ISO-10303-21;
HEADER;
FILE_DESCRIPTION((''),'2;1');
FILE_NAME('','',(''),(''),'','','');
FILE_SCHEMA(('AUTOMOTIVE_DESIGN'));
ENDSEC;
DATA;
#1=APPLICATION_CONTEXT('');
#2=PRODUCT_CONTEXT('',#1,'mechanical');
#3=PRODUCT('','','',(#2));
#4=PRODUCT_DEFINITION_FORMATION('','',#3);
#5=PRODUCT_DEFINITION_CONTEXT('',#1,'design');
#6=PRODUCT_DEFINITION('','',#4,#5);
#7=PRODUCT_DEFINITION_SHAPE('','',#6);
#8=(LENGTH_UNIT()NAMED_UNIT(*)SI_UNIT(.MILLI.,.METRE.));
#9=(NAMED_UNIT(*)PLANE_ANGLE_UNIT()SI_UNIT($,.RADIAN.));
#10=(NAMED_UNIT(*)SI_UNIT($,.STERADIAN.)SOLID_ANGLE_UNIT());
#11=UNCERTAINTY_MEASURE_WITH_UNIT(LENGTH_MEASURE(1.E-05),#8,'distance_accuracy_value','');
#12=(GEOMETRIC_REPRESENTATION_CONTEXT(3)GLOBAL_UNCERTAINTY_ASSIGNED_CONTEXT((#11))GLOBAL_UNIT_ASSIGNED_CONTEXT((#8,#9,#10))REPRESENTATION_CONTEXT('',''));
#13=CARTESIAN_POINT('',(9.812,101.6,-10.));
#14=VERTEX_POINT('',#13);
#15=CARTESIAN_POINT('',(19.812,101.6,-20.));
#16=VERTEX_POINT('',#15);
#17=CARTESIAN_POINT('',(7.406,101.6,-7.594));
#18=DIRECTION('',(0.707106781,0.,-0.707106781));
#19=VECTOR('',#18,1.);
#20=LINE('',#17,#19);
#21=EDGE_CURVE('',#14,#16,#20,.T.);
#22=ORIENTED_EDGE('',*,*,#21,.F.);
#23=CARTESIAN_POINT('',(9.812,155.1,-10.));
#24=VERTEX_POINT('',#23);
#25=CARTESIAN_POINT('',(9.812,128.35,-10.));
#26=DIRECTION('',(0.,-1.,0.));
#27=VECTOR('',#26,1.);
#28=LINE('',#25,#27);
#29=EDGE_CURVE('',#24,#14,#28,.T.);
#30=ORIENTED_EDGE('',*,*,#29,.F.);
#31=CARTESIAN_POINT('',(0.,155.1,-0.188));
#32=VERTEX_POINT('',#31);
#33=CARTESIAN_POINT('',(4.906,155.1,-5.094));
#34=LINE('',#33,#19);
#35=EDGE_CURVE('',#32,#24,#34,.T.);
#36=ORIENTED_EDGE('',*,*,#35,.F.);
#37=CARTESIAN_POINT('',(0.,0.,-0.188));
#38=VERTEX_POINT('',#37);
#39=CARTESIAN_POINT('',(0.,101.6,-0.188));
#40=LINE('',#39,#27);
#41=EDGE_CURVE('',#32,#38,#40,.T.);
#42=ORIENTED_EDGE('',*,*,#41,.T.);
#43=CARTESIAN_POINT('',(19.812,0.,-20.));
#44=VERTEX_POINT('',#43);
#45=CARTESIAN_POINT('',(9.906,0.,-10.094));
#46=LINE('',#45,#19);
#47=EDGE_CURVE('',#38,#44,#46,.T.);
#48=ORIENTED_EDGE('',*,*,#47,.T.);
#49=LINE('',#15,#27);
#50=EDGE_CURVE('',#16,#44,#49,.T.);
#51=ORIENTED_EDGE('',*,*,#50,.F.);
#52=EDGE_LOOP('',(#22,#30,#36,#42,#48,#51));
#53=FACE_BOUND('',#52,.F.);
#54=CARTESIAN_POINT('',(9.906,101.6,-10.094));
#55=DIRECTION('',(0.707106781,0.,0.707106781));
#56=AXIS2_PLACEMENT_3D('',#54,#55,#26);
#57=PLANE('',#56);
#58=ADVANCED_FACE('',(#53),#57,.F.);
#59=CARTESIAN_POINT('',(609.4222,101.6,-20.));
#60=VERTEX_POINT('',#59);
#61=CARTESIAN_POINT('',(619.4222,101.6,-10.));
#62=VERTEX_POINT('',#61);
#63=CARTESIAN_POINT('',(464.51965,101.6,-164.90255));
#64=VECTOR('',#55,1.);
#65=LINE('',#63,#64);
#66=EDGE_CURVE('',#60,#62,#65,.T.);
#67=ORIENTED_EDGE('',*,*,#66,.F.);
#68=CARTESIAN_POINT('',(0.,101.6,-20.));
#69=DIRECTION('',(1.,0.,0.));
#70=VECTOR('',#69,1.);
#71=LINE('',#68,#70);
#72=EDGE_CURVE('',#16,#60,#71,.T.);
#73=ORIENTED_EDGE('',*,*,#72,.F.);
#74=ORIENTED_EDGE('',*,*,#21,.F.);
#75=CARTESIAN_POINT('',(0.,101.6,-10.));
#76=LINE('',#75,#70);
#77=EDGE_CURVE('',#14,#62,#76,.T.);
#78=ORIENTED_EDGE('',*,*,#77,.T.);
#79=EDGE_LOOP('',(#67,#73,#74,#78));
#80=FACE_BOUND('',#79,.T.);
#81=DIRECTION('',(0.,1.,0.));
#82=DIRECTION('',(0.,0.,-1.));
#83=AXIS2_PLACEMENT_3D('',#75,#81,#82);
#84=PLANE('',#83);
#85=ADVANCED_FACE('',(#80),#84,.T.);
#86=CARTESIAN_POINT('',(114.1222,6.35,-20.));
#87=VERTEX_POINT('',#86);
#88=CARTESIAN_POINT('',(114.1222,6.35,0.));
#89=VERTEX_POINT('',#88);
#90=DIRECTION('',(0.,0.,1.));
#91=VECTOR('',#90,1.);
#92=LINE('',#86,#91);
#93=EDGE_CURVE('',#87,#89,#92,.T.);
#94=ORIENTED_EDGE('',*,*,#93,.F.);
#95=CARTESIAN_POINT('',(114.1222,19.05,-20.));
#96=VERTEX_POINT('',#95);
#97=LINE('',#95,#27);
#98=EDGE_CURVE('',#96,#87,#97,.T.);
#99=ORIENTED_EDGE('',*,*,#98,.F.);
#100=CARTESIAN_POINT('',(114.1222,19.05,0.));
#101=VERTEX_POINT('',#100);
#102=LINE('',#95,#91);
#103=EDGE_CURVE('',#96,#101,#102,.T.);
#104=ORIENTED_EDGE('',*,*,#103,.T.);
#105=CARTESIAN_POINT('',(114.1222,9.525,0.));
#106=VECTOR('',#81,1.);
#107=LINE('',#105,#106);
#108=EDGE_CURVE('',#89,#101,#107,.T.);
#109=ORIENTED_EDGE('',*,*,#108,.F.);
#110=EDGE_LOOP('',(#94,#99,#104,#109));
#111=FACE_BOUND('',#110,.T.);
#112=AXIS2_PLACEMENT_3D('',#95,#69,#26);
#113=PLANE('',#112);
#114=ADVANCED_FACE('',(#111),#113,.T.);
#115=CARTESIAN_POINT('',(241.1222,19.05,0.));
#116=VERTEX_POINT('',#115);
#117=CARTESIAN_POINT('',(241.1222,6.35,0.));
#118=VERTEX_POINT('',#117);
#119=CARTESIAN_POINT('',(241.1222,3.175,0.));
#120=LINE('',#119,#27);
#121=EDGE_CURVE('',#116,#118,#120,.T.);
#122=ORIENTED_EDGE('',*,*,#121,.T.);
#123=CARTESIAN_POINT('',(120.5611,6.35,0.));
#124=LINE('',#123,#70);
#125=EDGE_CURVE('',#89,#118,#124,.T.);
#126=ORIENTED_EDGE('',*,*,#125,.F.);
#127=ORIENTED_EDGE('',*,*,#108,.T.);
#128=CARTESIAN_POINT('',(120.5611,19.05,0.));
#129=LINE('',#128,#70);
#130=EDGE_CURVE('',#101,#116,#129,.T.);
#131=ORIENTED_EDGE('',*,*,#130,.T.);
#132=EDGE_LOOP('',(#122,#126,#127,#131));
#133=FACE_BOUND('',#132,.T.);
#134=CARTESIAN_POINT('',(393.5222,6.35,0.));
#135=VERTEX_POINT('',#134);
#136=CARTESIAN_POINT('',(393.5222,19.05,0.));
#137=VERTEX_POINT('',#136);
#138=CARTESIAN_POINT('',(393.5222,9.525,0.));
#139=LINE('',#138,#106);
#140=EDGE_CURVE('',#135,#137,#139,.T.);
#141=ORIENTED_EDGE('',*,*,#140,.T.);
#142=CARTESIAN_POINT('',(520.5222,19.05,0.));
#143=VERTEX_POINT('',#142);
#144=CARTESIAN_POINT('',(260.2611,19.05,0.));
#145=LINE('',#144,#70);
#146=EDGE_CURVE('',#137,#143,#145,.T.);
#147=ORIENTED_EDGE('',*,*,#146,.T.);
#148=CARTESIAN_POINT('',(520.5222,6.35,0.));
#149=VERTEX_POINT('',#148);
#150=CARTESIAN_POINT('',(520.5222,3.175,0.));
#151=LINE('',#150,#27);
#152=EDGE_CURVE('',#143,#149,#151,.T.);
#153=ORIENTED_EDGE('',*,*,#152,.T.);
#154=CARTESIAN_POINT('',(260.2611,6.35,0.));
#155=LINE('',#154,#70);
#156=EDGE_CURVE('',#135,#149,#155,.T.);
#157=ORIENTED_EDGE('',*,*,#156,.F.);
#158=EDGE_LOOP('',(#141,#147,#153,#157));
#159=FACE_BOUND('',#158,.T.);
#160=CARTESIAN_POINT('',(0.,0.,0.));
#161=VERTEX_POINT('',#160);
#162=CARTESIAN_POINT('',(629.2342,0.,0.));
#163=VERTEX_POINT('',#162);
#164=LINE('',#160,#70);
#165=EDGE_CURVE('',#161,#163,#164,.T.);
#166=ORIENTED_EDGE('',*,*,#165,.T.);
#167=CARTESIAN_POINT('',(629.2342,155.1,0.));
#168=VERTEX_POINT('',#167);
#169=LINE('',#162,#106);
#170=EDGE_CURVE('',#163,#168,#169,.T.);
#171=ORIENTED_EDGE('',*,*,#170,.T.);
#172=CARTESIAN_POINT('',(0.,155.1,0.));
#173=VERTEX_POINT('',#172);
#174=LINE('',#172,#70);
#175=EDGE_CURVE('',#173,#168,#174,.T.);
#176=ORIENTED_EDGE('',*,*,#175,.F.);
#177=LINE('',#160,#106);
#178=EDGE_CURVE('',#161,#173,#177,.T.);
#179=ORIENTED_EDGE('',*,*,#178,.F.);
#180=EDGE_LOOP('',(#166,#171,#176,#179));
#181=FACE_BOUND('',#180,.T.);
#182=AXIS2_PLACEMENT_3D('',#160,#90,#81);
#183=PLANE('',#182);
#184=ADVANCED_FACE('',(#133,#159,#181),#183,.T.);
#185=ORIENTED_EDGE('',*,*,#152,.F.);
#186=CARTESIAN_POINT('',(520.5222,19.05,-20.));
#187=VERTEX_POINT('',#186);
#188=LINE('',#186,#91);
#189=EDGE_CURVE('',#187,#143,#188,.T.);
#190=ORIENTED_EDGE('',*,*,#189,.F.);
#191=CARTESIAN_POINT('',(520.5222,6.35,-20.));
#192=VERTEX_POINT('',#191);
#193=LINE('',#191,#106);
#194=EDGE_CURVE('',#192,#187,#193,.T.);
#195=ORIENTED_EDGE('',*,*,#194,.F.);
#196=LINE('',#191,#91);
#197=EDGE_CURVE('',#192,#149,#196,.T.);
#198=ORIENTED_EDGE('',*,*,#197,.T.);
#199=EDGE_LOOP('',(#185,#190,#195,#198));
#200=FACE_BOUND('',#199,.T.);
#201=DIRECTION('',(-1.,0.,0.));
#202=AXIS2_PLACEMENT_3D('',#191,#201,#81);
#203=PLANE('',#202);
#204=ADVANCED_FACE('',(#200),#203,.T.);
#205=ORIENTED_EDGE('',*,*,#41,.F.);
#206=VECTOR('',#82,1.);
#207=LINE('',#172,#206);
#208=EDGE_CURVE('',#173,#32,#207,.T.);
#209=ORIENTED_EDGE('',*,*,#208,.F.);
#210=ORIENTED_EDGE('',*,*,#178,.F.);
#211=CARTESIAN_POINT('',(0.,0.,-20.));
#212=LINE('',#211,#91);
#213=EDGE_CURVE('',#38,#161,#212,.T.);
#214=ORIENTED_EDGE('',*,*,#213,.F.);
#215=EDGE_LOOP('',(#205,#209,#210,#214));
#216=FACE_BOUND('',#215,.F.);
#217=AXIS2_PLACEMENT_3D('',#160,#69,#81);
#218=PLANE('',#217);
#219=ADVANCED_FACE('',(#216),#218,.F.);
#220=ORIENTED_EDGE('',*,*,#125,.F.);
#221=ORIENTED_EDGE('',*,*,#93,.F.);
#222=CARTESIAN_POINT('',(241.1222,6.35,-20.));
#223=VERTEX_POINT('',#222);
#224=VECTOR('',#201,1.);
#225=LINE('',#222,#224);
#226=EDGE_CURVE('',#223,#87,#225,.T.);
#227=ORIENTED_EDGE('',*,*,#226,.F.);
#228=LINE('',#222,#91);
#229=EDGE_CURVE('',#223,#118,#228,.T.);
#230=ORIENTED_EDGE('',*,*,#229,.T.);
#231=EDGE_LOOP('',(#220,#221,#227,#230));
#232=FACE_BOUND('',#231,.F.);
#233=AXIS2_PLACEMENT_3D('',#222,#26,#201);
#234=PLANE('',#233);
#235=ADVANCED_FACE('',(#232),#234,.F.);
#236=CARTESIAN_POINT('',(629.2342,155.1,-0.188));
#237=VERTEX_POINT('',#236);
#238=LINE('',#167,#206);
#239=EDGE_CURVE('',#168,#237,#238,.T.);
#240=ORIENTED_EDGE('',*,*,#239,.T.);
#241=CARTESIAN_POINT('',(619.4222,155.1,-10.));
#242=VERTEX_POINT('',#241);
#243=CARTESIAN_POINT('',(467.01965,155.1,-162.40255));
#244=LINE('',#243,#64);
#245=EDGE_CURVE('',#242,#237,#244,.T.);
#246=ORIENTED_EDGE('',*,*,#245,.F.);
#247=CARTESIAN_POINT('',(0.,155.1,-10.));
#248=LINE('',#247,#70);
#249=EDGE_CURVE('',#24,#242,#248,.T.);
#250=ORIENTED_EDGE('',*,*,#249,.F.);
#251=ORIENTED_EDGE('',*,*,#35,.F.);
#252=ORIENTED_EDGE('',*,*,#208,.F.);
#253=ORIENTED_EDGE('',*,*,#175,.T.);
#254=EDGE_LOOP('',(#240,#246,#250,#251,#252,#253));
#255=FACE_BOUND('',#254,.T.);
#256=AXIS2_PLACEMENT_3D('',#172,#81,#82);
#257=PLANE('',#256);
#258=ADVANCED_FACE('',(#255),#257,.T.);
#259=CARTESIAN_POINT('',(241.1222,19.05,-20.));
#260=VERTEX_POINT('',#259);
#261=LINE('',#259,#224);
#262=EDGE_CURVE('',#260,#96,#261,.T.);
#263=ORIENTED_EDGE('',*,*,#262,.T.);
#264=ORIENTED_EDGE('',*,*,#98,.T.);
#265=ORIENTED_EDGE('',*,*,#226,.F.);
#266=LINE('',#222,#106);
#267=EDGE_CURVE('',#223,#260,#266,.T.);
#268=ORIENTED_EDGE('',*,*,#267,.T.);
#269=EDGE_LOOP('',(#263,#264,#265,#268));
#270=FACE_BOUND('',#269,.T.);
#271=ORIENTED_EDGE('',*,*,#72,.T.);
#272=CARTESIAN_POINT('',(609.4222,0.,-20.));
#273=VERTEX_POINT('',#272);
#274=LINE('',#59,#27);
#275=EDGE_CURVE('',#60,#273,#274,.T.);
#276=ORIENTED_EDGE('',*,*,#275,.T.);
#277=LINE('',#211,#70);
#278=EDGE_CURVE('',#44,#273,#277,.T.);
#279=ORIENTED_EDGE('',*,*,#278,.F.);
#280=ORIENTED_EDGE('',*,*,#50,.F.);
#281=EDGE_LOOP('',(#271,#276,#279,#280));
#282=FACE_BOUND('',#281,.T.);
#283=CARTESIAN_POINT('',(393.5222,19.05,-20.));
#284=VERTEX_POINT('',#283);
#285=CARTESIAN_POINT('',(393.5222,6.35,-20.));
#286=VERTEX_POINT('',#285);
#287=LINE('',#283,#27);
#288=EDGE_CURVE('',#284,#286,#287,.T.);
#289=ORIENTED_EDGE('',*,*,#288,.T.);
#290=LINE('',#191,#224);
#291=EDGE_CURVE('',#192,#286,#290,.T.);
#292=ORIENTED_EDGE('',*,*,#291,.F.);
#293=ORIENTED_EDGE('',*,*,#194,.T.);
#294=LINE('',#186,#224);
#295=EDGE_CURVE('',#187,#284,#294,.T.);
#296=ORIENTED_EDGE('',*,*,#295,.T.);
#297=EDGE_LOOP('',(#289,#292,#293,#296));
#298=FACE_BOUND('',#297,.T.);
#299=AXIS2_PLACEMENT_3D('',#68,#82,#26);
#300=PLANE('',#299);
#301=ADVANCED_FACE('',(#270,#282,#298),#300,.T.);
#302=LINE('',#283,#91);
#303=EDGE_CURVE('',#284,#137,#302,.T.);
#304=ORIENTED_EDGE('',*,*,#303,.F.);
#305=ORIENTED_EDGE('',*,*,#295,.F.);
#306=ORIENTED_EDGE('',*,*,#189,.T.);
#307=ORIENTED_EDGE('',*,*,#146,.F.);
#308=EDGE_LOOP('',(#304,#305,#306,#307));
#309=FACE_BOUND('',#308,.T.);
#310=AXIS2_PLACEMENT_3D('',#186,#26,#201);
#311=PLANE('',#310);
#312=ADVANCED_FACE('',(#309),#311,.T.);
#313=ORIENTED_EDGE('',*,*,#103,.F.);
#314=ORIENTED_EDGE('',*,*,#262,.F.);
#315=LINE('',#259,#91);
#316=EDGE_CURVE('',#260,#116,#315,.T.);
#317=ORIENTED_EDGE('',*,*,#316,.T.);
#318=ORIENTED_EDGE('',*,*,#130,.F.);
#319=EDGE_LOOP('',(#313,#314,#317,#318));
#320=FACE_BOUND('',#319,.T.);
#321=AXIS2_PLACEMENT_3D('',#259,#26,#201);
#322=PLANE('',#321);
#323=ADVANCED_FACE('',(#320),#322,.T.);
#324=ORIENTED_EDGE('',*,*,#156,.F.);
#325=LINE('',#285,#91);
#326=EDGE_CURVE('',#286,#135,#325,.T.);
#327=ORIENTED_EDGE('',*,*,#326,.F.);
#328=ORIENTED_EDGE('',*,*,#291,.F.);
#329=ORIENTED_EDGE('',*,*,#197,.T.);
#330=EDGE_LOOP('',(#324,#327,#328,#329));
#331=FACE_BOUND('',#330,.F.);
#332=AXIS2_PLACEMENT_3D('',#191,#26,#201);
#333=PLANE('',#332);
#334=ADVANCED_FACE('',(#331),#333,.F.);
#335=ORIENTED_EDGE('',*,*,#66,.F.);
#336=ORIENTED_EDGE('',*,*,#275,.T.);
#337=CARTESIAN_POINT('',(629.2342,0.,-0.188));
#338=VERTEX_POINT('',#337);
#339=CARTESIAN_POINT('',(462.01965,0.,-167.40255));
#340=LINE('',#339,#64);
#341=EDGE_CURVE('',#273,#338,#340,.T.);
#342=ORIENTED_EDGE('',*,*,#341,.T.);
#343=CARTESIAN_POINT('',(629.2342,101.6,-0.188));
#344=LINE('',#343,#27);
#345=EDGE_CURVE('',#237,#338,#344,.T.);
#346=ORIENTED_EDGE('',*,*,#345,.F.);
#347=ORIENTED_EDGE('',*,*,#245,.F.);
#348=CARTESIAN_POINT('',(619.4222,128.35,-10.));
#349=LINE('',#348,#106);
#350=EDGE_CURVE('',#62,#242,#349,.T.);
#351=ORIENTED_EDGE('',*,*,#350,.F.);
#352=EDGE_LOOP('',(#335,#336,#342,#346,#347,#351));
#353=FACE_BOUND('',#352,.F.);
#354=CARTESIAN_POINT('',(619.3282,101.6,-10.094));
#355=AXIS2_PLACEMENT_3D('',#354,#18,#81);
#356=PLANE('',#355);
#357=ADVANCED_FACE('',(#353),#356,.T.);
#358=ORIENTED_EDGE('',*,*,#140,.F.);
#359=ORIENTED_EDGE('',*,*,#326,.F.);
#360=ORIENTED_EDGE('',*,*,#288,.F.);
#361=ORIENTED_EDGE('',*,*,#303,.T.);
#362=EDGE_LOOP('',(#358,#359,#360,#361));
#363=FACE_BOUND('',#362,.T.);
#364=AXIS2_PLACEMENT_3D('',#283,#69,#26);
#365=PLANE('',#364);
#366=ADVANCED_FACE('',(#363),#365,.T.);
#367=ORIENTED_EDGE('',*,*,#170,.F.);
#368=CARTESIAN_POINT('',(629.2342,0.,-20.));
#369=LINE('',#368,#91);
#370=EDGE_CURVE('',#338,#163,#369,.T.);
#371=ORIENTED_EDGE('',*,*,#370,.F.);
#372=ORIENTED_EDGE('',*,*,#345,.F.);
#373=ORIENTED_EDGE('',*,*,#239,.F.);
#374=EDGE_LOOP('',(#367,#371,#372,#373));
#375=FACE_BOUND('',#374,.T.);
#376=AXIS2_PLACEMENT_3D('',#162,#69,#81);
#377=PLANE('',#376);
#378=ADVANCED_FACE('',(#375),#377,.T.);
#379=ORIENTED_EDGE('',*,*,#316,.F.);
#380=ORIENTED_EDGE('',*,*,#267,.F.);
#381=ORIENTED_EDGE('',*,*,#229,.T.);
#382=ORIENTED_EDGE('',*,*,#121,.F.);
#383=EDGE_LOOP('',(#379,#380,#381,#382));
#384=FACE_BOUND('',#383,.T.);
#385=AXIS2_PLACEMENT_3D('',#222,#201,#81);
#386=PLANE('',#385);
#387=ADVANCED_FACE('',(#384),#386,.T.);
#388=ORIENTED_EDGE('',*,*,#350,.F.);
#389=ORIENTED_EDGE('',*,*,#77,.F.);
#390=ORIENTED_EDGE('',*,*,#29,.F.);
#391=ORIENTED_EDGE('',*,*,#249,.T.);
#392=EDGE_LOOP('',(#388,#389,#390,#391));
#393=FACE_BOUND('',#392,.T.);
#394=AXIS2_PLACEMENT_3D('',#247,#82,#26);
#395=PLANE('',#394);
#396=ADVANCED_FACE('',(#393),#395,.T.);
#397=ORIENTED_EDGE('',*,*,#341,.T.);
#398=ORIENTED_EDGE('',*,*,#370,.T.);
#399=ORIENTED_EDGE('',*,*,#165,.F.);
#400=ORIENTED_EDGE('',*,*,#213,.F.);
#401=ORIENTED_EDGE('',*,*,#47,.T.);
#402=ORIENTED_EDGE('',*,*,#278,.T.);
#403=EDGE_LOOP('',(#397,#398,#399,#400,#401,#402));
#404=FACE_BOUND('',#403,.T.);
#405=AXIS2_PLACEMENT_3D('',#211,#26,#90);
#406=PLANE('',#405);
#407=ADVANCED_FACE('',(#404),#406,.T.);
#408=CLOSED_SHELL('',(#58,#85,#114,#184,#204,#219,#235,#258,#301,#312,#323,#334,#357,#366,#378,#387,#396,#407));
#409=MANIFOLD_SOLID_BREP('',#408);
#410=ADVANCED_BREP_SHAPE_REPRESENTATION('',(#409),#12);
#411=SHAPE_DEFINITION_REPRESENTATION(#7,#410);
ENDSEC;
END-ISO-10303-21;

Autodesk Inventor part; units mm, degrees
ref_plane "YZ Plane" through (0, 0, 0) normal (1, 0, 0) x (0, 1, 0)
ref_plane "XZ Plane" through (0, 0, 0) normal (0, 1, 0) x (-1, 0, 0)
ref_plane "XY Plane" through (0, 0, 0) normal (0, 0, 1) x (1, 0, 0)
sketch "Sketch1" plane through (0, 0, 0) normal (1, 0, 0) x (0, 1, 0)
  line L0 (0, 0) -> (155.1, 0)
  line L1 (155.1, 0) -> (155.1, -10)
  line L2 (0, -20) -> (0, 0)
  line L3 (155.1, -10) -> (101.6, -10)
  line L4 (101.6, -10) -> (101.6, -20)
  line L5 (101.6, -20) -> (0, -20)
  dimension "d0" = 53.5
  dimension "d1" = 155.1
  dimension "d2" = 10
  dimension "d3" = 10
  dimension "d4" = 20
extrude "Extrusion1" add sketch "Sketch1" along normal blind 629.2342
chamfer "Chamfer1" distance 19.812 angle 45 1 edges at (629.2342, 50.8, -20)
chamfer "Chamfer2" distance 19.812 angle 45 1 edges at (0, 50.8, -20)
sketch "Sketch2" plane through (609.4222, 0, -20) normal (0, 0, -1) x (-1, 0, 0)
  line L0 (589.6102, 0) -> (0, 0) projected
  line L1 (0, 0) -> (0, 6.35)
  line L2 (0, 0) -> (0, 101.6) projected
  line L3 (0, 6.35) -> (88.9, 6.35)
  line L4 (88.9, 6.35) -> (88.9, 26.35)
  line L5 (88.9, 26.35) -> (215.9, 26.35)
  line L6 (215.9, 26.35) -> (215.9, 6.35)
  line L7 (215.9, 6.35) -> (368.3, 6.35)
  line L8 (368.3, 6.35) -> (368.3, 19.05)
  line L9 (368.3, 19.05) -> (495.3, 19.05)
  line L10 (495.3, 19.05) -> (495.3, 6.35)
  line L11 (495.3, 6.35) -> (589.6102, 6.35)
  line L12 (589.6102, 101.6) -> (589.6102, 0) projected
  line L13 (88.9, 6.35) -> (215.9, 6.35)
  line L14 (368.3, 6.35) -> (495.3, 6.35)
  point P0 (609.4222, 0)
  dimension "d13" = 6.35
  dimension "d15" = 88.9
  dimension "d16" = 127
  dimension "d17" = 152.4
  dimension "d18" = 127
  dimension "d20" = 20
  dimension "d21" = 20
  dimension "d22" = 12.7
  dimension "d23" = 12.7
sketch "Sketch3" plane through (609.4222, 0, -20) normal (0, 0, -1) x (-1, 0, 0)
  line L0 (589.6102, 0) -> (0, 0)
  line L1 (0, 0) -> (0, 6.35)
  line L2 (0, 0) -> (0, 101.6)
  line L3 (0, 6.35) -> (88.9, 6.35)
  line L4 (88.9, 6.35) -> (88.9, 19.05)
  line L5 (88.9, 19.05) -> (215.9, 19.05)
  line L6 (215.9, 19.05) -> (215.9, 6.35)
  line L7 (215.9, 6.35) -> (368.3, 6.35)
  line L8 (368.3, 6.35) -> (368.3, 26.35)
  line L9 (368.3, 26.35) -> (495.3, 26.35)
  line L10 (495.3, 26.35) -> (495.3, 6.35)
  line L11 (495.3, 6.35) -> (589.6102, 6.35)
  line L12 (589.6102, 101.6) -> (589.6102, 0)
  line L13 (88.9, 6.35) -> (215.9, 6.35)
  line L14 (368.3, 6.35) -> (495.3, 6.35)
  line L15 (-19.812, 0) -> (0, 0) projected
  line L16 (0, 6.35) -> (0, 0)
  point P0 (609.4222, 0)
  point P1 (609.4222, 0)
  dimension "d24" = 6.35
  dimension "d25" = 88.9
  dimension "d26" = 127
  dimension "d27" = 152.4
  dimension "d28" = 127
  dimension "d29" = 12.7
  dimension "d30" = 12.7
  dimension "d31" = 20
  dimension "d32" = 20
  dimension "d37" = 6.35
extrude "Extrusion2" cut sketch "Sketch3" against normal blind 508 contours L4 L5 L6 L13
extrude "Extrusion3" cut sketch "Sketch2" against normal blind 508 contours L14 L8 L9 L10
properties part number "SkinnySideWidth" material "Wood (Birch)"
